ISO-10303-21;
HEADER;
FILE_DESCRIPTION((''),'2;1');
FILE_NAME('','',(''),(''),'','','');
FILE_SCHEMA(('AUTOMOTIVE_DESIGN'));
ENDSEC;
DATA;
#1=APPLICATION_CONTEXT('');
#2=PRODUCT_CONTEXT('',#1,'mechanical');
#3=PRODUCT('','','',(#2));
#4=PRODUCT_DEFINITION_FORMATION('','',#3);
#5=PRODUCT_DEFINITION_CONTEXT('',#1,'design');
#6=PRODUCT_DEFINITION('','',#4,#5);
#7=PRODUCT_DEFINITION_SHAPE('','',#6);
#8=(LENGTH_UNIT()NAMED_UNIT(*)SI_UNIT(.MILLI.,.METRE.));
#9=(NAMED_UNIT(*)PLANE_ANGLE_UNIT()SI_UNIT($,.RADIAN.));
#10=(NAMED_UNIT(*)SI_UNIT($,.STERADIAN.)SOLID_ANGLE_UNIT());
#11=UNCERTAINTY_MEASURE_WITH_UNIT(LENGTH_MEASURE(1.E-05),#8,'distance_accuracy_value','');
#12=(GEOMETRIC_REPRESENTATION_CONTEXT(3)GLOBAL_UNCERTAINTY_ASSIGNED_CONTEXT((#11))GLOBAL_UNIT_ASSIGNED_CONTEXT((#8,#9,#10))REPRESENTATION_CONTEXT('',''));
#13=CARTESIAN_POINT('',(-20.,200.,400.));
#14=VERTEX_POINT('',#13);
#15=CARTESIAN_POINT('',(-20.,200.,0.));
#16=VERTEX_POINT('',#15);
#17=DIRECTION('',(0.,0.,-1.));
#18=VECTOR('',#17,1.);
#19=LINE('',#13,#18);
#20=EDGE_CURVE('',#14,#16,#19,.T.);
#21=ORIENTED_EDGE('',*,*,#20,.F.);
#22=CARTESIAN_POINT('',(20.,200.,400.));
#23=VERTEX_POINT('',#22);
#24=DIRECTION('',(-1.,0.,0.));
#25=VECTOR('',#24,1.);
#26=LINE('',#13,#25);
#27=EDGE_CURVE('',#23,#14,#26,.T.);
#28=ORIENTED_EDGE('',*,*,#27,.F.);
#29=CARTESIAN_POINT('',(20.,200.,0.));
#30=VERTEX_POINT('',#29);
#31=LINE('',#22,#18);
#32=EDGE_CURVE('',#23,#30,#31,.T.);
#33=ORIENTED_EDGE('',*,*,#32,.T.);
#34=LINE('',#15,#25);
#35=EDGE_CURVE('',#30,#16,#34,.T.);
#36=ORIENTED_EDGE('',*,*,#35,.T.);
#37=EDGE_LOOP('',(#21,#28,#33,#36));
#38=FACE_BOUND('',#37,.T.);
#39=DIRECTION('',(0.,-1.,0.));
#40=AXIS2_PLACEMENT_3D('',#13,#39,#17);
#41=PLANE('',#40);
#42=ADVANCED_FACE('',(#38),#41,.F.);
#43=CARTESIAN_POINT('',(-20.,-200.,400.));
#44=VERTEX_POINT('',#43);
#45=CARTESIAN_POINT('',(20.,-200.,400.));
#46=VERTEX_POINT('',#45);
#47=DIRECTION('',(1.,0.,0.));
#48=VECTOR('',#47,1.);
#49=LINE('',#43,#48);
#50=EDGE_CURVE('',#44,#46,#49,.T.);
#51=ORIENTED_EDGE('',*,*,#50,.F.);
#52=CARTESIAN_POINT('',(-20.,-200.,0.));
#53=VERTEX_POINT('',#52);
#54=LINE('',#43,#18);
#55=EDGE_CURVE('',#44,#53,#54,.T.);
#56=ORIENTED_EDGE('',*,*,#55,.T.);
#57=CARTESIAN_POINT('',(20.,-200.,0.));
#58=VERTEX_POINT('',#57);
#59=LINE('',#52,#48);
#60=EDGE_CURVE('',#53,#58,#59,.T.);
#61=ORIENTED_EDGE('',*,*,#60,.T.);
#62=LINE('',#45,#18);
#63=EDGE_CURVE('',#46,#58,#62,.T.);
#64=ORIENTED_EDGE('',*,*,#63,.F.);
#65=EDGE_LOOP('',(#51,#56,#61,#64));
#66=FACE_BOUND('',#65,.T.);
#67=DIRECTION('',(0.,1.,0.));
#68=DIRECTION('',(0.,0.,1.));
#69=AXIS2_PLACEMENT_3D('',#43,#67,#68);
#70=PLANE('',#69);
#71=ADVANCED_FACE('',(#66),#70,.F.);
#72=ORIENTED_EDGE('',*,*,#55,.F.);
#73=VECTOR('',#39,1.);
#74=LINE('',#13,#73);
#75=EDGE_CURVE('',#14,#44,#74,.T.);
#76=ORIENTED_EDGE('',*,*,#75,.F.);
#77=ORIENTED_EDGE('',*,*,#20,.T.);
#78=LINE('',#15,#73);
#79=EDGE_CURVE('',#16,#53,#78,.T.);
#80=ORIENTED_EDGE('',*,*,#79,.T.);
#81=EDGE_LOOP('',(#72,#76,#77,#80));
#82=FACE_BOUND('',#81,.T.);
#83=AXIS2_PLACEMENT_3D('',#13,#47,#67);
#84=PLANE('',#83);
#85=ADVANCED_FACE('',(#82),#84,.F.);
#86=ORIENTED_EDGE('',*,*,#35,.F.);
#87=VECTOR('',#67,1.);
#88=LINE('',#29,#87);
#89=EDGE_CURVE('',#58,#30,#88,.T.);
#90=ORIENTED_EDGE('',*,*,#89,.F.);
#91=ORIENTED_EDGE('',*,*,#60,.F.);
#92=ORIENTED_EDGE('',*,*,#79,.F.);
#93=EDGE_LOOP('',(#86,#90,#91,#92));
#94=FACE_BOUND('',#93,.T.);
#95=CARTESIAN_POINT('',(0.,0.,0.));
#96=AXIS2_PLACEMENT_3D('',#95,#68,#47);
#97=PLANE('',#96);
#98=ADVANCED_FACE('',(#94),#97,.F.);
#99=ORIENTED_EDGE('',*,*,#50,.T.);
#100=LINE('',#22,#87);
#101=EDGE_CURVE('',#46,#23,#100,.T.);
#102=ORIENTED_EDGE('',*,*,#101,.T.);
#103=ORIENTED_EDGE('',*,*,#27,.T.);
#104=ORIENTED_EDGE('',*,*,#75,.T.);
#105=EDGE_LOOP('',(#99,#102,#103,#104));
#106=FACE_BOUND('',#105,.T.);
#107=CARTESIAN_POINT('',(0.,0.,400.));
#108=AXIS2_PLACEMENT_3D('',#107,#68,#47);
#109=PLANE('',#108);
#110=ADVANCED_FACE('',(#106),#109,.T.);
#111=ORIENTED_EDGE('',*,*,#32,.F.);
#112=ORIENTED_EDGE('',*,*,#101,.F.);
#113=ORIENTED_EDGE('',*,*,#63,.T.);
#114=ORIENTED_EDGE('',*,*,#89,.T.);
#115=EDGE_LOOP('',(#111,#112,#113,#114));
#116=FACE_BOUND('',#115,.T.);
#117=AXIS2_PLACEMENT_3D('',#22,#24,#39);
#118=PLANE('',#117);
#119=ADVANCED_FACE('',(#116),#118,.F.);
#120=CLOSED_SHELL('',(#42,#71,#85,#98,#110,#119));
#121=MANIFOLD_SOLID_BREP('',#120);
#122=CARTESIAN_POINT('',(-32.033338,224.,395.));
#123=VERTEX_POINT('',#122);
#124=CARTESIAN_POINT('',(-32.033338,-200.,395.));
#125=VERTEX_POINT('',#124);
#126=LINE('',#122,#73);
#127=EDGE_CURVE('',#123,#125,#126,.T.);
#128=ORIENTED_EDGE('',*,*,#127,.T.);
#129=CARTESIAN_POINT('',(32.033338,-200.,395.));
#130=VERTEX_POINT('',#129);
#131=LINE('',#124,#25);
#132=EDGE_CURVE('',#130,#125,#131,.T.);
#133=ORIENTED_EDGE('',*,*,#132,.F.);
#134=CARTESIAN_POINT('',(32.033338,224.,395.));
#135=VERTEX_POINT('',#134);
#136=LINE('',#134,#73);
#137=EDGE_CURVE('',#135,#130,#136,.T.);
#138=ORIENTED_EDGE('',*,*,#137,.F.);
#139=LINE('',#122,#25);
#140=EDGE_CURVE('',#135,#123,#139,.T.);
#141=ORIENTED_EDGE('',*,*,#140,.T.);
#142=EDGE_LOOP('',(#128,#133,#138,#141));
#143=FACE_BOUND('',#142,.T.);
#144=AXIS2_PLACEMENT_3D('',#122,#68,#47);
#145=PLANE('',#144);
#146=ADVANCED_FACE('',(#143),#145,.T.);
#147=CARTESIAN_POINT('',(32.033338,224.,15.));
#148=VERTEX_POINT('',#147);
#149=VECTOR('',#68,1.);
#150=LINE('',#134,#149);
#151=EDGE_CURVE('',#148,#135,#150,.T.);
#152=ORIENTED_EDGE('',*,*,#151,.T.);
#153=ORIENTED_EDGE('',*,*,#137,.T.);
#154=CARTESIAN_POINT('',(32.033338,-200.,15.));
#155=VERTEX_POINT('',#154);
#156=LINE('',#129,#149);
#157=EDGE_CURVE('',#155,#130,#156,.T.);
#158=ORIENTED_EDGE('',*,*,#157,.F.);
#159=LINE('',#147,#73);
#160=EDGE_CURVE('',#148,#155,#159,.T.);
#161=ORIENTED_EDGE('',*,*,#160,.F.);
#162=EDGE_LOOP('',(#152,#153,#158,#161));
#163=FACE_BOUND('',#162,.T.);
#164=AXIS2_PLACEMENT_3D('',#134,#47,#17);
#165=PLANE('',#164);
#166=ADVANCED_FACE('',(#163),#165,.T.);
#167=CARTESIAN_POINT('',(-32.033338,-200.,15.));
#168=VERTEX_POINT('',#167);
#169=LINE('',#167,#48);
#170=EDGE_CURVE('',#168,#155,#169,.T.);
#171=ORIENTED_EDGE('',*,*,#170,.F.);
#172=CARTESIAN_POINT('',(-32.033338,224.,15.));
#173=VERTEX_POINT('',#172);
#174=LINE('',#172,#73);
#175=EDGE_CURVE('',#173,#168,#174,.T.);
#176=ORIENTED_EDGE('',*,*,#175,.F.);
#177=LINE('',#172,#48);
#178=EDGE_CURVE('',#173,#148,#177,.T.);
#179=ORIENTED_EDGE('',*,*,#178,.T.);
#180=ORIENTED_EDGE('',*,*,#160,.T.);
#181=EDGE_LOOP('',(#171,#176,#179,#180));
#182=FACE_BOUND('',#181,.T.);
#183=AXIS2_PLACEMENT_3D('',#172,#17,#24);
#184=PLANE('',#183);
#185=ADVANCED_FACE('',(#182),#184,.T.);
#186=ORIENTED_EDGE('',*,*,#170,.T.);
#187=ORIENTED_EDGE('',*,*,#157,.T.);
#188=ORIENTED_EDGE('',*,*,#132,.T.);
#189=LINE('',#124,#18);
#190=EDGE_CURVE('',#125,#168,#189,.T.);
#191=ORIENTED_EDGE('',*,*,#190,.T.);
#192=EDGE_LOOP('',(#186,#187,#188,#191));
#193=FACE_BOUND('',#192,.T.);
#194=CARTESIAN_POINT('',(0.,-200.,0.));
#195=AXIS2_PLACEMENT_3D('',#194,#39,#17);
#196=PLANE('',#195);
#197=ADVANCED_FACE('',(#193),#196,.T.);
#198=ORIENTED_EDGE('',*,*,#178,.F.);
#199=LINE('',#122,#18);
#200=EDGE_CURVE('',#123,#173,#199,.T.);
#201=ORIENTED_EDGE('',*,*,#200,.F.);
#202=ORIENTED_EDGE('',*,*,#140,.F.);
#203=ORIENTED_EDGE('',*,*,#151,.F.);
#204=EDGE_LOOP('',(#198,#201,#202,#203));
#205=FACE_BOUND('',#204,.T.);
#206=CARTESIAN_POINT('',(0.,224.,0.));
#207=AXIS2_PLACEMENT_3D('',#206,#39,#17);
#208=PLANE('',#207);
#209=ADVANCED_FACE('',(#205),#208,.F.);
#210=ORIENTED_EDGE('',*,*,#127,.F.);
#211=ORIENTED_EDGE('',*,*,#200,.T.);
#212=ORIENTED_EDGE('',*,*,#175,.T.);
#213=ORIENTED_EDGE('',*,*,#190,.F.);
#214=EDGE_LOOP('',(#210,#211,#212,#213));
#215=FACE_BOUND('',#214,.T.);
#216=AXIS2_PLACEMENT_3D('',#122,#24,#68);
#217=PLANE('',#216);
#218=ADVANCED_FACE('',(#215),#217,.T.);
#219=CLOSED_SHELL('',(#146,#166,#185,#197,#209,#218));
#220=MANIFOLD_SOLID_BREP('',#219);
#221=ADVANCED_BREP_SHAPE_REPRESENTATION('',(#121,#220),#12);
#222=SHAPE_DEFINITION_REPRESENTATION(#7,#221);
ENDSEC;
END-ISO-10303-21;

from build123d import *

# Parameters (mm, degrees)
SCHIZZO1_W                   = 40
SCHIZZO1_H                   = 400
ESTRUSIONE_ESTRUSIONE1_DEPTH = 400
SCHIZZO4_W                   = 64.066675396
SCHIZZO4_H                   = 380
ESTRUSIONE_ESTRUSIONE3_DEPTH = 424


with BuildPart() as part:
    # Schizzo1 → Estrusione-Estrusione1 (new body)
    with BuildSketch(Plane.XY):
        Rectangle(SCHIZZO1_W, SCHIZZO1_H)
    extrude(amount=ESTRUSIONE_ESTRUSIONE1_DEPTH)


with BuildPart() as body_2:
    # Schizzo4 → Estrusione-Estrusione3 (new body)
    with BuildSketch(Plane(origin=(0, -200, 0), x_dir=(-1, 0, 0), z_dir=(0, -1, 0))):
        with Locations((0, -205)):
            Rectangle(SCHIZZO4_W, SCHIZZO4_H)
    extrude(amount=-ESTRUSIONE_ESTRUSIONE3_DEPTH)


solid = Compound([part.part, body_2.part])
